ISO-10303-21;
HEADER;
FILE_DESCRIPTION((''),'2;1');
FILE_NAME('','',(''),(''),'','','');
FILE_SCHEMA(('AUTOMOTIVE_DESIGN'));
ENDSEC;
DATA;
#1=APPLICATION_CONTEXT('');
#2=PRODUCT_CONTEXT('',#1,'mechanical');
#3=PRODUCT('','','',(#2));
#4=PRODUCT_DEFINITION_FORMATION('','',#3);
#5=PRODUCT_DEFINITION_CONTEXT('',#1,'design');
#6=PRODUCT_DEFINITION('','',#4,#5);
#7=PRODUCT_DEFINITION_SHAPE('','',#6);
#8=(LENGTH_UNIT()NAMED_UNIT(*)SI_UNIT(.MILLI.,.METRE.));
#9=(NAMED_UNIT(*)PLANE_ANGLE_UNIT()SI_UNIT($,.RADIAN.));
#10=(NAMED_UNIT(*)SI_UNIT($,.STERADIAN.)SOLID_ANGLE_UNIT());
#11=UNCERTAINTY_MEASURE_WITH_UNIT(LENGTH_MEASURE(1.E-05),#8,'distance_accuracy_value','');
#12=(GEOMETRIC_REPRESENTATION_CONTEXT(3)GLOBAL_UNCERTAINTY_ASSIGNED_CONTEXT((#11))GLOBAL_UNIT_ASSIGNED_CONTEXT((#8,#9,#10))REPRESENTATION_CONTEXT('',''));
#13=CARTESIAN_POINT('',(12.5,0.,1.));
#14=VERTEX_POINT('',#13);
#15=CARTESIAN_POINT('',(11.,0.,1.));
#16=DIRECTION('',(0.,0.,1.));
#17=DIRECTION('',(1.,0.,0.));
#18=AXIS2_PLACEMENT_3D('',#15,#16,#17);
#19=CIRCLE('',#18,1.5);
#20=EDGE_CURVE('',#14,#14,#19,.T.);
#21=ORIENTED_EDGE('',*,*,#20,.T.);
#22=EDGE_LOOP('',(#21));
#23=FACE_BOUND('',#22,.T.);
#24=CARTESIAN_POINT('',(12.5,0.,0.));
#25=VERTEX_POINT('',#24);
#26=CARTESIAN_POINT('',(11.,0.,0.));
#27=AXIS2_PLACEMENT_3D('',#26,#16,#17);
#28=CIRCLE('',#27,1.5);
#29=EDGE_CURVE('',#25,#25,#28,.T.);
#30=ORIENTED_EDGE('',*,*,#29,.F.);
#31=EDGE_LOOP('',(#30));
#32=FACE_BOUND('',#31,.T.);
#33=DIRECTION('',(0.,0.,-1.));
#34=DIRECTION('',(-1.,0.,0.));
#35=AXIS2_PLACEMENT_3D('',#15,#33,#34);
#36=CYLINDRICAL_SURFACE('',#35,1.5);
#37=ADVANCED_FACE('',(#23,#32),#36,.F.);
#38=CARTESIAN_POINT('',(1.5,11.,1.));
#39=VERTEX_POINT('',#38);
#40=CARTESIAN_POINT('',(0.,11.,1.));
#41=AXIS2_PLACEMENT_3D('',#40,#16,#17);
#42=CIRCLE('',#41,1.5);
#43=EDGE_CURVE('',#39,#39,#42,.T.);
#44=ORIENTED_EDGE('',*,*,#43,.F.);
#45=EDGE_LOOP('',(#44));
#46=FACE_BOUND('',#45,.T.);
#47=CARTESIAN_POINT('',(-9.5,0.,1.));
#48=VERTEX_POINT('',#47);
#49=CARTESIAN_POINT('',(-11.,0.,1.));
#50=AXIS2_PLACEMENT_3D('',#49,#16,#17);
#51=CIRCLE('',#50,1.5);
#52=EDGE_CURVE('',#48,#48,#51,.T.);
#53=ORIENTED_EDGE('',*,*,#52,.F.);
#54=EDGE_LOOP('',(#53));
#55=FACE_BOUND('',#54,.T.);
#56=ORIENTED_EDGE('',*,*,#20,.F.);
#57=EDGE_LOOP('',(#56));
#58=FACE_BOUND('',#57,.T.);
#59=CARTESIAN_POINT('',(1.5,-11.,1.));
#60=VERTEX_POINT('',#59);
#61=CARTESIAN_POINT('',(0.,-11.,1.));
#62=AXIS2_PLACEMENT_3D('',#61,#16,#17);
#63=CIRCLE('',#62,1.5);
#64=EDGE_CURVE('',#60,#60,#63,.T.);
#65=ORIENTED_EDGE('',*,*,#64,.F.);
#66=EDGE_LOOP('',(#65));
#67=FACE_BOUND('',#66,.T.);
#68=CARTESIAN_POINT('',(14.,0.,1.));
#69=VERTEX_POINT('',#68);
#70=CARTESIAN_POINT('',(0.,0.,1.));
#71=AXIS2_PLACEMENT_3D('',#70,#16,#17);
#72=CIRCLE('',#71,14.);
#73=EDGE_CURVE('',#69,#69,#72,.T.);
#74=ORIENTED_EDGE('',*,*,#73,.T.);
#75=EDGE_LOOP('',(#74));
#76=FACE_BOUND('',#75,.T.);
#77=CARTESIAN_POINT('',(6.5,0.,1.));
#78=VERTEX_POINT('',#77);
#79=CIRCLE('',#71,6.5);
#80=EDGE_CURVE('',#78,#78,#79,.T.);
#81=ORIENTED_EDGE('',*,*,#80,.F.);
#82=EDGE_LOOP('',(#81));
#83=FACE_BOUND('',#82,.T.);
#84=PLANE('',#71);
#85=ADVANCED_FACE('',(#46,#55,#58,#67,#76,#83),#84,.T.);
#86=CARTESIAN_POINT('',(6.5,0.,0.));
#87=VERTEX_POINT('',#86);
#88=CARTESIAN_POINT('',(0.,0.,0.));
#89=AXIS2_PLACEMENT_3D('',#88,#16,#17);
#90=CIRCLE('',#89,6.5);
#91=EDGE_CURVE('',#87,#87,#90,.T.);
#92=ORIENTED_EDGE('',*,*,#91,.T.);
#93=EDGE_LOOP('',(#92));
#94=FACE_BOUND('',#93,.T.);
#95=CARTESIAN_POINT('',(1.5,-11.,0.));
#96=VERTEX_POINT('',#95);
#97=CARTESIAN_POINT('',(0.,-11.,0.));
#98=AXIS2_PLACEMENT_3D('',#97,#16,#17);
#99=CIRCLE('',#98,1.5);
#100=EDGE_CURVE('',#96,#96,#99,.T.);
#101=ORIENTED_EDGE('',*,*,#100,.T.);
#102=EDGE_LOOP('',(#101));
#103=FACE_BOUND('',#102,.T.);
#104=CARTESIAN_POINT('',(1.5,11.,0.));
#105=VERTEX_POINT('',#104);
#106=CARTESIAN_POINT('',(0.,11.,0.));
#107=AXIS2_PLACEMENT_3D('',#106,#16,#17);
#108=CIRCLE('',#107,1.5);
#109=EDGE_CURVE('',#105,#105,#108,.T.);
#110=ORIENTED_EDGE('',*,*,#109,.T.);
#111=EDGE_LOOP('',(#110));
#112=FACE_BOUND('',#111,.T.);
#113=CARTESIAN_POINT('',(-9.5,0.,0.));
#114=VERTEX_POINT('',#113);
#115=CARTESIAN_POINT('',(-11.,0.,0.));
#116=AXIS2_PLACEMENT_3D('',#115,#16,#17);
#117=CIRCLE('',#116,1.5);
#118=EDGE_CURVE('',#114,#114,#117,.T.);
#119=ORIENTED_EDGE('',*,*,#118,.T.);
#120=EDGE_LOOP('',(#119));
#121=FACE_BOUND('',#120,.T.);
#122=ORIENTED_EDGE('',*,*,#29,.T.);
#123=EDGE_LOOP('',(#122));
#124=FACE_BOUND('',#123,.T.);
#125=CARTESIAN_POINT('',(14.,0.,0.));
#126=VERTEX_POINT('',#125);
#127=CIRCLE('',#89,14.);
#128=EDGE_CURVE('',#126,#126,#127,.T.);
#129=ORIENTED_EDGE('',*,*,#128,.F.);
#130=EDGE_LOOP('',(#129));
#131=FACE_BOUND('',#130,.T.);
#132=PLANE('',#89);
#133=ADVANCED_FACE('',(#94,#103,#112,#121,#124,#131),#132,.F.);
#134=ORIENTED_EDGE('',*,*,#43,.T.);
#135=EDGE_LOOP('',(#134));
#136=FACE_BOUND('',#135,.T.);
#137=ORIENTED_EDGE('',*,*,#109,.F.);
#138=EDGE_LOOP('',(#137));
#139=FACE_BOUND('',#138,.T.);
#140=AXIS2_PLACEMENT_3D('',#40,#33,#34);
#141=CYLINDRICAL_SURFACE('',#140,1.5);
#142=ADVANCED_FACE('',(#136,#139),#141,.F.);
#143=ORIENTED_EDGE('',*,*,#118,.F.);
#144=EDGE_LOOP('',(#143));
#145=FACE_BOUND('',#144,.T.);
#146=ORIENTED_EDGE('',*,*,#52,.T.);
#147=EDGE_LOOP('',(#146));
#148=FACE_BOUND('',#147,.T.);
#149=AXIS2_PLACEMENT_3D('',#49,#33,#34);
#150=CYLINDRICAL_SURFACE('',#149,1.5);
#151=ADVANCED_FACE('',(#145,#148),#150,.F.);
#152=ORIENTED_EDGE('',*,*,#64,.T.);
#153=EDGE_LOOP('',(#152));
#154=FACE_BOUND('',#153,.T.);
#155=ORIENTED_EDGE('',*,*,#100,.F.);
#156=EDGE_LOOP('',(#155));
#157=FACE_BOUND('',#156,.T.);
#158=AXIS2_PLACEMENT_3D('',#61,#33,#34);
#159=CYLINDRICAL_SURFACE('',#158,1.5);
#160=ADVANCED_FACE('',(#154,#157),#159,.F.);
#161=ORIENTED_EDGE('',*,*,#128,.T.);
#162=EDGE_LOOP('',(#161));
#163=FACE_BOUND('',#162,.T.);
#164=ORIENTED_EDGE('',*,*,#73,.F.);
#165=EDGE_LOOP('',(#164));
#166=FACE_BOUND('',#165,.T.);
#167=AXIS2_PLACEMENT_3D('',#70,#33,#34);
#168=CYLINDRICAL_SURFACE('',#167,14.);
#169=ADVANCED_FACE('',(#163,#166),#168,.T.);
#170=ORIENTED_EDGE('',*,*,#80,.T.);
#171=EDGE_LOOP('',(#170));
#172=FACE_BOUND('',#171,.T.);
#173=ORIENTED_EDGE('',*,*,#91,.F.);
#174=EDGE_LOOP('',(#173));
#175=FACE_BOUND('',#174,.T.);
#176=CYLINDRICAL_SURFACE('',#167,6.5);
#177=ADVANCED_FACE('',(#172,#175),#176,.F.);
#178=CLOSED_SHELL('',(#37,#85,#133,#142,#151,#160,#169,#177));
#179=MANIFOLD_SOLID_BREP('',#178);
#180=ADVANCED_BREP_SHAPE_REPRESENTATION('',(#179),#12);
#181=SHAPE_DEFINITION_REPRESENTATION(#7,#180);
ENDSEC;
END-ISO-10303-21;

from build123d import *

# Parameters (mm, degrees)
SKETCH1_R           = 14
SKETCH1_R_2         = 1.5
SKETCH1_R_3         = 6.5
BOSS_EXTRUDE1_DEPTH = 1


with BuildPart() as part:
    # Sketch1 → Boss-Extrude1 (new body)
    with BuildSketch(Plane.XY):
        Circle(SKETCH1_R)
        with Locations((11, 0)):
            Circle(SKETCH1_R_2, mode=Mode.SUBTRACT)
        with Locations((0, -11)):
            Circle(SKETCH1_R_2, mode=Mode.SUBTRACT)
        with Locations((-11, 0)):
            Circle(SKETCH1_R_2, mode=Mode.SUBTRACT)
        with Locations((0, 11)):
            Circle(SKETCH1_R_2, mode=Mode.SUBTRACT)
        Circle(SKETCH1_R_3, mode=Mode.SUBTRACT)
    extrude(amount=BOSS_EXTRUDE1_DEPTH)


solid = part.part
